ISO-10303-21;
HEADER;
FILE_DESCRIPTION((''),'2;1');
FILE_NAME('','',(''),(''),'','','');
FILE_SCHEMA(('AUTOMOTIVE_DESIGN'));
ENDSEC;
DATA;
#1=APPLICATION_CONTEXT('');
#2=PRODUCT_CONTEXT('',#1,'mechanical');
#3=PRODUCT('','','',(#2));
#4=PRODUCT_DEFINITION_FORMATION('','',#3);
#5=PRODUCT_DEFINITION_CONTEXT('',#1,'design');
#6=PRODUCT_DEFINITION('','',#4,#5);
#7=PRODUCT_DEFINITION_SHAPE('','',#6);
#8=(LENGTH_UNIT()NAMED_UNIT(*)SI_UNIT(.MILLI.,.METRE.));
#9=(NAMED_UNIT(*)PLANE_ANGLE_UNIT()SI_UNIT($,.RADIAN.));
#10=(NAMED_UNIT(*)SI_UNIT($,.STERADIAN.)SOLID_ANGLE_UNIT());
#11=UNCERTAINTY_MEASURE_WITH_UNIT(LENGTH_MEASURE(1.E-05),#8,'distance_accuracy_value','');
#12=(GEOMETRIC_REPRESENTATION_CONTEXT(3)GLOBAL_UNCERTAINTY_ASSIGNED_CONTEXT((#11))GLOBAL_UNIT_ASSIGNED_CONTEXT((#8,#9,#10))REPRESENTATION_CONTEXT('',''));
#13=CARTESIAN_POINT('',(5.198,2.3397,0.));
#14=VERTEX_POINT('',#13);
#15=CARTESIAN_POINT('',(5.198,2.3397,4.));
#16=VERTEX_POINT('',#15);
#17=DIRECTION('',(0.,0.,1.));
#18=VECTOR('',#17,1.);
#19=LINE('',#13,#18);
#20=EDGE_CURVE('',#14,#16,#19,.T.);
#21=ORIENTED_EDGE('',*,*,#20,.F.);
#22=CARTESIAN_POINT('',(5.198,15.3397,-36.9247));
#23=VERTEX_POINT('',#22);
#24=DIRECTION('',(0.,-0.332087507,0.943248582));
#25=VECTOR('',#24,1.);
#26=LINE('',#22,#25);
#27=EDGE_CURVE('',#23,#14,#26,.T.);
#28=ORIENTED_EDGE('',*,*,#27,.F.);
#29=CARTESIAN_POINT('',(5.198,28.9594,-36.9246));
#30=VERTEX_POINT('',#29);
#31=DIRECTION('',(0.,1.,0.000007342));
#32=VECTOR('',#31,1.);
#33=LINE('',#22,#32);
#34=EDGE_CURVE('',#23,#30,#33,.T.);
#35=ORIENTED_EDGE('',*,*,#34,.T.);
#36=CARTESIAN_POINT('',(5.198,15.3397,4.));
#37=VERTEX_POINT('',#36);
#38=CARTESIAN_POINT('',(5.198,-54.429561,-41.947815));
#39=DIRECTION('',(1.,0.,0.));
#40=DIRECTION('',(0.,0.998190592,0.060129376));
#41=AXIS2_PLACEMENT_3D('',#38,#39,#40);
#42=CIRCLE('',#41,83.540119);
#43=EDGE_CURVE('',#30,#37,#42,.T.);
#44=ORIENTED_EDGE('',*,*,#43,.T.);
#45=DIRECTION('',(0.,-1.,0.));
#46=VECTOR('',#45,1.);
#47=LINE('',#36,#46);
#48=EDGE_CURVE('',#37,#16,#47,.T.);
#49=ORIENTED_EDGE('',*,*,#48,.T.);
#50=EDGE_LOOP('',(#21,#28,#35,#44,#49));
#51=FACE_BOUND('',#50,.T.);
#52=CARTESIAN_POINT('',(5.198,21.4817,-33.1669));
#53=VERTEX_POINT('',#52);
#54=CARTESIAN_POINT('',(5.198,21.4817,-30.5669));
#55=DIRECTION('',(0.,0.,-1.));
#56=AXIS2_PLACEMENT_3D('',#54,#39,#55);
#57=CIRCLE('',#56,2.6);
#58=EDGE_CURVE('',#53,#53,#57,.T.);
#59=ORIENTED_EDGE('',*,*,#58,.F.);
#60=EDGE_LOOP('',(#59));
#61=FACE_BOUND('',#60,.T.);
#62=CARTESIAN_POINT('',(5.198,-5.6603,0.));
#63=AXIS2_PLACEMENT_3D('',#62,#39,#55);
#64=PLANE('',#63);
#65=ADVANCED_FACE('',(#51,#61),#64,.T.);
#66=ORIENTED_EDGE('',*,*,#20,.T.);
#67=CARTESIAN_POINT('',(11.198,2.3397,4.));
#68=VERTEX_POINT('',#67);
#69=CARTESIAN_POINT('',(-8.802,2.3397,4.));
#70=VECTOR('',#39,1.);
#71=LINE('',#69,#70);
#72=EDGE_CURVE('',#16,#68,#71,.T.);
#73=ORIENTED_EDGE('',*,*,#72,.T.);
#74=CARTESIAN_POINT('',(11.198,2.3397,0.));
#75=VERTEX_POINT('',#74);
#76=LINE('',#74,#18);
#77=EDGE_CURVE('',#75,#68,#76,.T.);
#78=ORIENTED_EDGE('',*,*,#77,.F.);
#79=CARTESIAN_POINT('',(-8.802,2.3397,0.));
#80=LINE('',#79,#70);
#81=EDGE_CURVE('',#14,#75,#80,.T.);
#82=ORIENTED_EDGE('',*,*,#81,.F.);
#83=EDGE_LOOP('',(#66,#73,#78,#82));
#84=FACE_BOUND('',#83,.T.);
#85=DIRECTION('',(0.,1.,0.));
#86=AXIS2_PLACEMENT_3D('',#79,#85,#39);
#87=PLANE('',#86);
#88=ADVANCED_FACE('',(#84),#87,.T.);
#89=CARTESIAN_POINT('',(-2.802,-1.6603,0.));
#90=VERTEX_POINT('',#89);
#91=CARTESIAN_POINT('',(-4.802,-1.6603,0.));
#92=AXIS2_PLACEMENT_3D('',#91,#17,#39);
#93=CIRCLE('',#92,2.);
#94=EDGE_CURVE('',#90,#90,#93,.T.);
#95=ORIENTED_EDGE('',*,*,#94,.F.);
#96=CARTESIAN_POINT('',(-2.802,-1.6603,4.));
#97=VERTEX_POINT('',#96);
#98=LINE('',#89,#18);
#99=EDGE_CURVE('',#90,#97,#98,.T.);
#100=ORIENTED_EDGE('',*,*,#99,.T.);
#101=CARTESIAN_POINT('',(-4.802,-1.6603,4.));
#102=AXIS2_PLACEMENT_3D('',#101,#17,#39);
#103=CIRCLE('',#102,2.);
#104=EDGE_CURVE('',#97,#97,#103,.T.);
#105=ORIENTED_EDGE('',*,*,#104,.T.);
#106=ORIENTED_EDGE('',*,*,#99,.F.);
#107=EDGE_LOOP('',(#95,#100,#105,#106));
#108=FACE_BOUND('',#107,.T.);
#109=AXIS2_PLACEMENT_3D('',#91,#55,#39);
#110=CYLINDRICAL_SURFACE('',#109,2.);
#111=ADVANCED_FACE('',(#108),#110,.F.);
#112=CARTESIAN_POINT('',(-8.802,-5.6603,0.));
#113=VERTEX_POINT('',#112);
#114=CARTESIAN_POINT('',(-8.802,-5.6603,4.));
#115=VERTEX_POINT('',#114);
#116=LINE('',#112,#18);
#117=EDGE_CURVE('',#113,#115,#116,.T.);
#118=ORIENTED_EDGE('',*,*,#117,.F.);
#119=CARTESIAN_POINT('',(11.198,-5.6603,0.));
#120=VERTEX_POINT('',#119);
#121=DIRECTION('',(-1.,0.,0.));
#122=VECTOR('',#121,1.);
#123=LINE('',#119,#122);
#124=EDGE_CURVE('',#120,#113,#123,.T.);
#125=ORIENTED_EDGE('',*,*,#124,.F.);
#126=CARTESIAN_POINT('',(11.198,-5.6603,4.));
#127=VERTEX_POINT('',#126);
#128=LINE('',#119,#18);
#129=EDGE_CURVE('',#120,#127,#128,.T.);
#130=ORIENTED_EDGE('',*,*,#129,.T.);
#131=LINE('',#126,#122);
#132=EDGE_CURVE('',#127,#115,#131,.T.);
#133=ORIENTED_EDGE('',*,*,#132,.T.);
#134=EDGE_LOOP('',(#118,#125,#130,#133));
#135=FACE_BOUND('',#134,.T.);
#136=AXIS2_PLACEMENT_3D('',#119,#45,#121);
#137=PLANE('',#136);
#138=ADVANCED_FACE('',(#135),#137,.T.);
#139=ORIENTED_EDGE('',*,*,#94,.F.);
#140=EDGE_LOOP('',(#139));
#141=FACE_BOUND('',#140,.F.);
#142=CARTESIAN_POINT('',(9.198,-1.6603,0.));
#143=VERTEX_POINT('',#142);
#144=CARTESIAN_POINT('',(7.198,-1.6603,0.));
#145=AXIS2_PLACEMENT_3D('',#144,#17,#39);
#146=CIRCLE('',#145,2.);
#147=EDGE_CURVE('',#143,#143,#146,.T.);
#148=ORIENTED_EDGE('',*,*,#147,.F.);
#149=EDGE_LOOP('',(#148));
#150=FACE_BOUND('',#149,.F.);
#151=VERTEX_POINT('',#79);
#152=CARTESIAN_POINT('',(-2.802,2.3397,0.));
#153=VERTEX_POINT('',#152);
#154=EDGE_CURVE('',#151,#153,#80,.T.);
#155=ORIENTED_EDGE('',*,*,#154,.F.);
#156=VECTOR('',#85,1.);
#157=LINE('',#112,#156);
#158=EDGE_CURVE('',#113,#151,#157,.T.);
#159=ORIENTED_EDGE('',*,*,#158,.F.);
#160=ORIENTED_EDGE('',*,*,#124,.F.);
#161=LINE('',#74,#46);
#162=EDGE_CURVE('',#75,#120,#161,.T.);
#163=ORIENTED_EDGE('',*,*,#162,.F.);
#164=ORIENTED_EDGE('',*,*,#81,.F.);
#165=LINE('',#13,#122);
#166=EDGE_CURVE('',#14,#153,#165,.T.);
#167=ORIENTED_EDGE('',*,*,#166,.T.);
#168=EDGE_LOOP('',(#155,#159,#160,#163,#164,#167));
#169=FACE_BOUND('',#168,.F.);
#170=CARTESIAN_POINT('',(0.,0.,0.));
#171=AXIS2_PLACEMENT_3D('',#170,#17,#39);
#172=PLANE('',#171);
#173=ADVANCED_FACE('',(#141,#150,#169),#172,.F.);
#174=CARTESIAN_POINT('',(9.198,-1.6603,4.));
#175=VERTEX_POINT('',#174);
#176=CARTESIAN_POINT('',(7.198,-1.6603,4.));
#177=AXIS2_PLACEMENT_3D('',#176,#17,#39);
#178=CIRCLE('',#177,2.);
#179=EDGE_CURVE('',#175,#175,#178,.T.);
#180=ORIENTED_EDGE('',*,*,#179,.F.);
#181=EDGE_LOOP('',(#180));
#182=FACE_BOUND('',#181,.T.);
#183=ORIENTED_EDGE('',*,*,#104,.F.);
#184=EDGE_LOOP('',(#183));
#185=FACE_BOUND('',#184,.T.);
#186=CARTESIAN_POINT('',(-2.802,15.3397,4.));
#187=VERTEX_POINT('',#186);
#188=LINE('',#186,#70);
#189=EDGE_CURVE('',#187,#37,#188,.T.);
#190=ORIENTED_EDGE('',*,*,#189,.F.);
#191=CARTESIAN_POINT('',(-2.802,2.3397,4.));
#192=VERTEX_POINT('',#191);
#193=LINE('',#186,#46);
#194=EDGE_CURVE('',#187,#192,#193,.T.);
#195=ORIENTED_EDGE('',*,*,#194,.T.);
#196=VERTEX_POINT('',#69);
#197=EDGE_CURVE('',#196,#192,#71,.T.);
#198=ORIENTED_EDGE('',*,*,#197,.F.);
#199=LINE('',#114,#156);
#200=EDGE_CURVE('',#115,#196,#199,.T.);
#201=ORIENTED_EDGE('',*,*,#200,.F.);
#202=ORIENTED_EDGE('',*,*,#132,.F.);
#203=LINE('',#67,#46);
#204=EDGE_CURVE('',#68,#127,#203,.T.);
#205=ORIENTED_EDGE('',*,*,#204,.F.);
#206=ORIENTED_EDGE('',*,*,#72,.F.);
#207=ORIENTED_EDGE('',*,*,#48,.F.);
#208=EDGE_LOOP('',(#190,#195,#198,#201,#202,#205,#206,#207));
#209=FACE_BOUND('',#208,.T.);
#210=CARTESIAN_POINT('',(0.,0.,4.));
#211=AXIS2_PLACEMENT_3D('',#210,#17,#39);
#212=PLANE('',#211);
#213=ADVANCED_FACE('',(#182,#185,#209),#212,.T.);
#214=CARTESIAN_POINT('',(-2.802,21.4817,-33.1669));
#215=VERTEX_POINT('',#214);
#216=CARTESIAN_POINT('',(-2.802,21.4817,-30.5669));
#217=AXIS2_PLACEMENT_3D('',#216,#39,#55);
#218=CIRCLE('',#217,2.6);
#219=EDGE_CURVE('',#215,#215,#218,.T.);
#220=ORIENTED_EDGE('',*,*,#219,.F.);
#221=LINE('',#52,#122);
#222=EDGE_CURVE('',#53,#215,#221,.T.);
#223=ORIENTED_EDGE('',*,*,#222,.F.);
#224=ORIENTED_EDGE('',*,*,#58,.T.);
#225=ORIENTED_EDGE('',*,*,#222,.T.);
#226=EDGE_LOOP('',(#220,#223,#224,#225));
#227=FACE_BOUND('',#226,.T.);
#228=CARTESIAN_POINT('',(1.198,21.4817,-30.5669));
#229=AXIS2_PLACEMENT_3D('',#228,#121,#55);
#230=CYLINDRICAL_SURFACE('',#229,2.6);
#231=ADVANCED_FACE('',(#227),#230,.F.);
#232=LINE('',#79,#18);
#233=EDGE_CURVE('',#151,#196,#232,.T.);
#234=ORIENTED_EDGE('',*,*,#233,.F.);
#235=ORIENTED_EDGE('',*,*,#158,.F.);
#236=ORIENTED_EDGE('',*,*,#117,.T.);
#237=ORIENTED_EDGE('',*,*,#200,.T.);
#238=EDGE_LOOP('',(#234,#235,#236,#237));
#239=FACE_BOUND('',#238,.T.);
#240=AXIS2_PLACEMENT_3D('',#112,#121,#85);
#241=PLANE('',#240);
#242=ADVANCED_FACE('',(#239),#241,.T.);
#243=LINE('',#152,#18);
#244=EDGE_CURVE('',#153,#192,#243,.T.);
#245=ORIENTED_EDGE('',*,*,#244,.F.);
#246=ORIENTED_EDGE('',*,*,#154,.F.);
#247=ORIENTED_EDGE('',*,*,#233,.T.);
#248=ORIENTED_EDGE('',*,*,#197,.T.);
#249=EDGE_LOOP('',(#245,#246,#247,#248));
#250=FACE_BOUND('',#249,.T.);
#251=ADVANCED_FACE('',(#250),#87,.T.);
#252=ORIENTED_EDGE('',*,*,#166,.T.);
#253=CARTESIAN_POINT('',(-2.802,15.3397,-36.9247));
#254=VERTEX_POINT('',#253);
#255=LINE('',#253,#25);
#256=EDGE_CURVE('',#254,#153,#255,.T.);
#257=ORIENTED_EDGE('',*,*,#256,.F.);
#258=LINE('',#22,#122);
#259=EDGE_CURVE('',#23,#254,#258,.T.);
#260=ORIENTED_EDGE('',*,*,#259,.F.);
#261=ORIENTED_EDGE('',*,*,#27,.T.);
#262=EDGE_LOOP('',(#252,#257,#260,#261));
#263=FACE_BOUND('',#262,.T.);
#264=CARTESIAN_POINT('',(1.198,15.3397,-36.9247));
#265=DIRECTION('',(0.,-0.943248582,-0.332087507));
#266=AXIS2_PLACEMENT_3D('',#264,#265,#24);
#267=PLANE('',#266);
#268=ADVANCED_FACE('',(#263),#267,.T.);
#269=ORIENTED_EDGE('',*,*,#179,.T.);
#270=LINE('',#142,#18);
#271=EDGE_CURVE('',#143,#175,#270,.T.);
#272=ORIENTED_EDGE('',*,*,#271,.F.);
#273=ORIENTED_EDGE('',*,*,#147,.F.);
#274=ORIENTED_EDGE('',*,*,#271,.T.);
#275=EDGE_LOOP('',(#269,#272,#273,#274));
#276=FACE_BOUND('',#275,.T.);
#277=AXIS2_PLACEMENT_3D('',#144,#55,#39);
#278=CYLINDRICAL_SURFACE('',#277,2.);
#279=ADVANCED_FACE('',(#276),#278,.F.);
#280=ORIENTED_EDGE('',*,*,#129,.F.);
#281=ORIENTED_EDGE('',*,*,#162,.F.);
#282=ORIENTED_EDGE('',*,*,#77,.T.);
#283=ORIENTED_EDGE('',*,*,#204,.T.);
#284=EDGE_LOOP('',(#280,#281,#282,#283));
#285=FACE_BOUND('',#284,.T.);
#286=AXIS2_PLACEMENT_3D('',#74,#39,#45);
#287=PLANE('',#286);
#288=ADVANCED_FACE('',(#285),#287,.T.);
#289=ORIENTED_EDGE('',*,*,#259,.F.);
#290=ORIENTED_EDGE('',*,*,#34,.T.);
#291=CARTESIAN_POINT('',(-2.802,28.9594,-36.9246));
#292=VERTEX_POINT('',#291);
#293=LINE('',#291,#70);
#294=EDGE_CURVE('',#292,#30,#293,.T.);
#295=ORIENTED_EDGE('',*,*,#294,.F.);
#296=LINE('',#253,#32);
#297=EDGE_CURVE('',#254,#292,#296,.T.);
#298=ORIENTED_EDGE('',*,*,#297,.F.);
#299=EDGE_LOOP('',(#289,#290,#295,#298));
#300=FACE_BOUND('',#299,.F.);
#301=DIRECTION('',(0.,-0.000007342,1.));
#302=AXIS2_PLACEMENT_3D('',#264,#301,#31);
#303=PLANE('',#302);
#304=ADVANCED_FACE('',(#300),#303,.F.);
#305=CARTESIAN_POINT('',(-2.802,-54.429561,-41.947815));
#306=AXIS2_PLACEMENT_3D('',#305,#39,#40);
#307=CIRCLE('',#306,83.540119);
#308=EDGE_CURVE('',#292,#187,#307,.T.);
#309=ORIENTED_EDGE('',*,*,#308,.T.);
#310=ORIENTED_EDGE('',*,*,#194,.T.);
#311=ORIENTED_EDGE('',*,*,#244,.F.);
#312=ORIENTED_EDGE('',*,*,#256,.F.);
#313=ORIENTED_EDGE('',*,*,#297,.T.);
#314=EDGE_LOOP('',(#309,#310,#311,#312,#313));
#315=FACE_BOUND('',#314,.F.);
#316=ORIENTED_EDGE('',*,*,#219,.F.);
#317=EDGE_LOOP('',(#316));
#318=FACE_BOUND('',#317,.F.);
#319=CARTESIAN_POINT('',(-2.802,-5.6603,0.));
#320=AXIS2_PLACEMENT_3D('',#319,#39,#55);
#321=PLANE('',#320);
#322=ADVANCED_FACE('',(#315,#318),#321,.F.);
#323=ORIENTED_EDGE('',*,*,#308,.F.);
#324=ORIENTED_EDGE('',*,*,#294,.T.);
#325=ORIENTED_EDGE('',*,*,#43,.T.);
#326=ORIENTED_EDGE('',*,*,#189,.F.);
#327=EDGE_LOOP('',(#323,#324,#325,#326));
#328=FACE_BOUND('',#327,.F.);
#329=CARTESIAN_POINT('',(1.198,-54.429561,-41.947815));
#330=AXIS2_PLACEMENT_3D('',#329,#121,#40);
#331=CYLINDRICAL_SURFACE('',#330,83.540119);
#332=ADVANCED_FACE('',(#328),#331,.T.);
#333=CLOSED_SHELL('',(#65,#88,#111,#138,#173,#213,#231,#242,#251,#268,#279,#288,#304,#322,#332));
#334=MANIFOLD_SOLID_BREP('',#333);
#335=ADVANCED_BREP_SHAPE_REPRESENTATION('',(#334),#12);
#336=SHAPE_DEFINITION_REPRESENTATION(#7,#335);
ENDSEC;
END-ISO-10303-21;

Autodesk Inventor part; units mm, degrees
ref_plane "YZ Plane" through (0, 0, 0) normal (1, 0, 0) x (0, 1, 0)
ref_plane "XZ Plane" through (0, 0, 0) normal (0, 1, 0) x (-1, 0, 0)
ref_plane "XY Plane" through (0, 0, 0) normal (0, 0, 1) x (1, 0, 0)
sketch "Sketch1" plane through (0, 0, 0) normal (0, 0, 1) x (1, 0, 0)
  line L0 (-8.802, 2.3397) -> (11.198, 2.3397)
  line L1 (11.198, 2.3397) -> (11.198, -5.6603)
  line L2 (11.198, -5.6603) -> (-8.802, -5.6603)
  line L3 (-8.802, -5.6603) -> (-8.802, 2.3397)
  circle A0 centre (-4.802, -1.6603) radius 2
  circle A1 centre (7.198, -1.6603) radius 2
  point P0 (0, 0)
  dimension "d4" = 4
  dimension "d0" = 4
  dimension "d1" = 4
  dimension "d2" = 12
  dimension "d3" = 4
  dimension "d5" = 4
  dimension "d7" = 8
  dimension "d8" = 4
  dimension "d9" = 20
  dimension "d10" = 4
extrude "Extrusion1" add sketch "Sketch1" along normal blind 4
ref_plane "Work Plane1" through (1.198, -5.6603, 0) normal (1, 0, 0) x (0, 0, -1)
sketch "Sketch2" plane through (1.198, -5.6603, 0) normal (1, 0, 0) x (0, 0, -1)
  arc A0 (36.9246, 34.6197) -> (-4, 21) centre (41.9479, -48.7697) ccw
  line L0 (0, 0) -> (0, 8) projected
  line L1 (36.9247, 21) -> (36.9246, 34.6197)
  arc A1 (44.549, 70.6711) -> (-44.2597, 70.8526) centre (0, 0) ccw
  circle A2 centre (9.9821, 76.8133) radius 2.6
  line L2 (9.9821, 96.2846) -> (9.9821, 47.2392) construction
  line L3 (62.1306, 76.8133) -> (-24.9977, 76.8133) construction
  line L4 (0, 0) -> (0, 8) construction
  circle A3 centre (30.5669, 27.142) radius 2.6
  line L5 (-4, 0) -> (-4, 8) projected
  line L6 (0, 8) -> (-4, 8) projected
  line L7 (36.9247, 21) -> (0, 8)
  line L8 (0, 8) -> (-4, 8)
  line L9 (36.9247, 21) -> (-4, 21) construction
  line L10 (-4, 21) -> (-4, 8)
  point P0 (0, 5.6603)
  dimension "d15" = 34.5669
  dimension "d16" = 6.1422
  dimension "d17" = 34.5669
  dimension "d22" = 13.6197
  dimension "d27" = 5.2
  dimension "d32" = 6.142
  dimension "d33" = 13
extrude "Extrusion4" add sketch "Sketch2" along normal mid plane 8 contours L1 L7 L6 L10 A0
sketch "Sketch3" plane through (0, 0, 4) normal (0, 0, 1) x (1, 0, 0)
  circle A0 centre (7.198, -1.6603) radius 2 projected
  circle A1 centre (-4.802, -1.6603) radius 2 projected
  line L0 (-8.802, 2.3397) -> (-8.802, -5.6603) projected
  line L1 (-8.802, -5.6603) -> (11.198, -5.6603) projected
  circle A2 centre (1.198, -1.6603) radius 0.6445
  point P0 (0, 0)
  dimension "d28" = 12
  dimension "d29" = 6
  dimension "d30" = 8
  dimension "d31" = 4
equation "\"d4\" = d3"
equation "\"d3\" = d8"
equation "\"d5\" = d4"
equation "\"d29\" = 0.5 * d28"
equation "\"d31\" = 0.5 * d30"
properties part number "motor_elytra_interface" material "Nylon 6/6"
